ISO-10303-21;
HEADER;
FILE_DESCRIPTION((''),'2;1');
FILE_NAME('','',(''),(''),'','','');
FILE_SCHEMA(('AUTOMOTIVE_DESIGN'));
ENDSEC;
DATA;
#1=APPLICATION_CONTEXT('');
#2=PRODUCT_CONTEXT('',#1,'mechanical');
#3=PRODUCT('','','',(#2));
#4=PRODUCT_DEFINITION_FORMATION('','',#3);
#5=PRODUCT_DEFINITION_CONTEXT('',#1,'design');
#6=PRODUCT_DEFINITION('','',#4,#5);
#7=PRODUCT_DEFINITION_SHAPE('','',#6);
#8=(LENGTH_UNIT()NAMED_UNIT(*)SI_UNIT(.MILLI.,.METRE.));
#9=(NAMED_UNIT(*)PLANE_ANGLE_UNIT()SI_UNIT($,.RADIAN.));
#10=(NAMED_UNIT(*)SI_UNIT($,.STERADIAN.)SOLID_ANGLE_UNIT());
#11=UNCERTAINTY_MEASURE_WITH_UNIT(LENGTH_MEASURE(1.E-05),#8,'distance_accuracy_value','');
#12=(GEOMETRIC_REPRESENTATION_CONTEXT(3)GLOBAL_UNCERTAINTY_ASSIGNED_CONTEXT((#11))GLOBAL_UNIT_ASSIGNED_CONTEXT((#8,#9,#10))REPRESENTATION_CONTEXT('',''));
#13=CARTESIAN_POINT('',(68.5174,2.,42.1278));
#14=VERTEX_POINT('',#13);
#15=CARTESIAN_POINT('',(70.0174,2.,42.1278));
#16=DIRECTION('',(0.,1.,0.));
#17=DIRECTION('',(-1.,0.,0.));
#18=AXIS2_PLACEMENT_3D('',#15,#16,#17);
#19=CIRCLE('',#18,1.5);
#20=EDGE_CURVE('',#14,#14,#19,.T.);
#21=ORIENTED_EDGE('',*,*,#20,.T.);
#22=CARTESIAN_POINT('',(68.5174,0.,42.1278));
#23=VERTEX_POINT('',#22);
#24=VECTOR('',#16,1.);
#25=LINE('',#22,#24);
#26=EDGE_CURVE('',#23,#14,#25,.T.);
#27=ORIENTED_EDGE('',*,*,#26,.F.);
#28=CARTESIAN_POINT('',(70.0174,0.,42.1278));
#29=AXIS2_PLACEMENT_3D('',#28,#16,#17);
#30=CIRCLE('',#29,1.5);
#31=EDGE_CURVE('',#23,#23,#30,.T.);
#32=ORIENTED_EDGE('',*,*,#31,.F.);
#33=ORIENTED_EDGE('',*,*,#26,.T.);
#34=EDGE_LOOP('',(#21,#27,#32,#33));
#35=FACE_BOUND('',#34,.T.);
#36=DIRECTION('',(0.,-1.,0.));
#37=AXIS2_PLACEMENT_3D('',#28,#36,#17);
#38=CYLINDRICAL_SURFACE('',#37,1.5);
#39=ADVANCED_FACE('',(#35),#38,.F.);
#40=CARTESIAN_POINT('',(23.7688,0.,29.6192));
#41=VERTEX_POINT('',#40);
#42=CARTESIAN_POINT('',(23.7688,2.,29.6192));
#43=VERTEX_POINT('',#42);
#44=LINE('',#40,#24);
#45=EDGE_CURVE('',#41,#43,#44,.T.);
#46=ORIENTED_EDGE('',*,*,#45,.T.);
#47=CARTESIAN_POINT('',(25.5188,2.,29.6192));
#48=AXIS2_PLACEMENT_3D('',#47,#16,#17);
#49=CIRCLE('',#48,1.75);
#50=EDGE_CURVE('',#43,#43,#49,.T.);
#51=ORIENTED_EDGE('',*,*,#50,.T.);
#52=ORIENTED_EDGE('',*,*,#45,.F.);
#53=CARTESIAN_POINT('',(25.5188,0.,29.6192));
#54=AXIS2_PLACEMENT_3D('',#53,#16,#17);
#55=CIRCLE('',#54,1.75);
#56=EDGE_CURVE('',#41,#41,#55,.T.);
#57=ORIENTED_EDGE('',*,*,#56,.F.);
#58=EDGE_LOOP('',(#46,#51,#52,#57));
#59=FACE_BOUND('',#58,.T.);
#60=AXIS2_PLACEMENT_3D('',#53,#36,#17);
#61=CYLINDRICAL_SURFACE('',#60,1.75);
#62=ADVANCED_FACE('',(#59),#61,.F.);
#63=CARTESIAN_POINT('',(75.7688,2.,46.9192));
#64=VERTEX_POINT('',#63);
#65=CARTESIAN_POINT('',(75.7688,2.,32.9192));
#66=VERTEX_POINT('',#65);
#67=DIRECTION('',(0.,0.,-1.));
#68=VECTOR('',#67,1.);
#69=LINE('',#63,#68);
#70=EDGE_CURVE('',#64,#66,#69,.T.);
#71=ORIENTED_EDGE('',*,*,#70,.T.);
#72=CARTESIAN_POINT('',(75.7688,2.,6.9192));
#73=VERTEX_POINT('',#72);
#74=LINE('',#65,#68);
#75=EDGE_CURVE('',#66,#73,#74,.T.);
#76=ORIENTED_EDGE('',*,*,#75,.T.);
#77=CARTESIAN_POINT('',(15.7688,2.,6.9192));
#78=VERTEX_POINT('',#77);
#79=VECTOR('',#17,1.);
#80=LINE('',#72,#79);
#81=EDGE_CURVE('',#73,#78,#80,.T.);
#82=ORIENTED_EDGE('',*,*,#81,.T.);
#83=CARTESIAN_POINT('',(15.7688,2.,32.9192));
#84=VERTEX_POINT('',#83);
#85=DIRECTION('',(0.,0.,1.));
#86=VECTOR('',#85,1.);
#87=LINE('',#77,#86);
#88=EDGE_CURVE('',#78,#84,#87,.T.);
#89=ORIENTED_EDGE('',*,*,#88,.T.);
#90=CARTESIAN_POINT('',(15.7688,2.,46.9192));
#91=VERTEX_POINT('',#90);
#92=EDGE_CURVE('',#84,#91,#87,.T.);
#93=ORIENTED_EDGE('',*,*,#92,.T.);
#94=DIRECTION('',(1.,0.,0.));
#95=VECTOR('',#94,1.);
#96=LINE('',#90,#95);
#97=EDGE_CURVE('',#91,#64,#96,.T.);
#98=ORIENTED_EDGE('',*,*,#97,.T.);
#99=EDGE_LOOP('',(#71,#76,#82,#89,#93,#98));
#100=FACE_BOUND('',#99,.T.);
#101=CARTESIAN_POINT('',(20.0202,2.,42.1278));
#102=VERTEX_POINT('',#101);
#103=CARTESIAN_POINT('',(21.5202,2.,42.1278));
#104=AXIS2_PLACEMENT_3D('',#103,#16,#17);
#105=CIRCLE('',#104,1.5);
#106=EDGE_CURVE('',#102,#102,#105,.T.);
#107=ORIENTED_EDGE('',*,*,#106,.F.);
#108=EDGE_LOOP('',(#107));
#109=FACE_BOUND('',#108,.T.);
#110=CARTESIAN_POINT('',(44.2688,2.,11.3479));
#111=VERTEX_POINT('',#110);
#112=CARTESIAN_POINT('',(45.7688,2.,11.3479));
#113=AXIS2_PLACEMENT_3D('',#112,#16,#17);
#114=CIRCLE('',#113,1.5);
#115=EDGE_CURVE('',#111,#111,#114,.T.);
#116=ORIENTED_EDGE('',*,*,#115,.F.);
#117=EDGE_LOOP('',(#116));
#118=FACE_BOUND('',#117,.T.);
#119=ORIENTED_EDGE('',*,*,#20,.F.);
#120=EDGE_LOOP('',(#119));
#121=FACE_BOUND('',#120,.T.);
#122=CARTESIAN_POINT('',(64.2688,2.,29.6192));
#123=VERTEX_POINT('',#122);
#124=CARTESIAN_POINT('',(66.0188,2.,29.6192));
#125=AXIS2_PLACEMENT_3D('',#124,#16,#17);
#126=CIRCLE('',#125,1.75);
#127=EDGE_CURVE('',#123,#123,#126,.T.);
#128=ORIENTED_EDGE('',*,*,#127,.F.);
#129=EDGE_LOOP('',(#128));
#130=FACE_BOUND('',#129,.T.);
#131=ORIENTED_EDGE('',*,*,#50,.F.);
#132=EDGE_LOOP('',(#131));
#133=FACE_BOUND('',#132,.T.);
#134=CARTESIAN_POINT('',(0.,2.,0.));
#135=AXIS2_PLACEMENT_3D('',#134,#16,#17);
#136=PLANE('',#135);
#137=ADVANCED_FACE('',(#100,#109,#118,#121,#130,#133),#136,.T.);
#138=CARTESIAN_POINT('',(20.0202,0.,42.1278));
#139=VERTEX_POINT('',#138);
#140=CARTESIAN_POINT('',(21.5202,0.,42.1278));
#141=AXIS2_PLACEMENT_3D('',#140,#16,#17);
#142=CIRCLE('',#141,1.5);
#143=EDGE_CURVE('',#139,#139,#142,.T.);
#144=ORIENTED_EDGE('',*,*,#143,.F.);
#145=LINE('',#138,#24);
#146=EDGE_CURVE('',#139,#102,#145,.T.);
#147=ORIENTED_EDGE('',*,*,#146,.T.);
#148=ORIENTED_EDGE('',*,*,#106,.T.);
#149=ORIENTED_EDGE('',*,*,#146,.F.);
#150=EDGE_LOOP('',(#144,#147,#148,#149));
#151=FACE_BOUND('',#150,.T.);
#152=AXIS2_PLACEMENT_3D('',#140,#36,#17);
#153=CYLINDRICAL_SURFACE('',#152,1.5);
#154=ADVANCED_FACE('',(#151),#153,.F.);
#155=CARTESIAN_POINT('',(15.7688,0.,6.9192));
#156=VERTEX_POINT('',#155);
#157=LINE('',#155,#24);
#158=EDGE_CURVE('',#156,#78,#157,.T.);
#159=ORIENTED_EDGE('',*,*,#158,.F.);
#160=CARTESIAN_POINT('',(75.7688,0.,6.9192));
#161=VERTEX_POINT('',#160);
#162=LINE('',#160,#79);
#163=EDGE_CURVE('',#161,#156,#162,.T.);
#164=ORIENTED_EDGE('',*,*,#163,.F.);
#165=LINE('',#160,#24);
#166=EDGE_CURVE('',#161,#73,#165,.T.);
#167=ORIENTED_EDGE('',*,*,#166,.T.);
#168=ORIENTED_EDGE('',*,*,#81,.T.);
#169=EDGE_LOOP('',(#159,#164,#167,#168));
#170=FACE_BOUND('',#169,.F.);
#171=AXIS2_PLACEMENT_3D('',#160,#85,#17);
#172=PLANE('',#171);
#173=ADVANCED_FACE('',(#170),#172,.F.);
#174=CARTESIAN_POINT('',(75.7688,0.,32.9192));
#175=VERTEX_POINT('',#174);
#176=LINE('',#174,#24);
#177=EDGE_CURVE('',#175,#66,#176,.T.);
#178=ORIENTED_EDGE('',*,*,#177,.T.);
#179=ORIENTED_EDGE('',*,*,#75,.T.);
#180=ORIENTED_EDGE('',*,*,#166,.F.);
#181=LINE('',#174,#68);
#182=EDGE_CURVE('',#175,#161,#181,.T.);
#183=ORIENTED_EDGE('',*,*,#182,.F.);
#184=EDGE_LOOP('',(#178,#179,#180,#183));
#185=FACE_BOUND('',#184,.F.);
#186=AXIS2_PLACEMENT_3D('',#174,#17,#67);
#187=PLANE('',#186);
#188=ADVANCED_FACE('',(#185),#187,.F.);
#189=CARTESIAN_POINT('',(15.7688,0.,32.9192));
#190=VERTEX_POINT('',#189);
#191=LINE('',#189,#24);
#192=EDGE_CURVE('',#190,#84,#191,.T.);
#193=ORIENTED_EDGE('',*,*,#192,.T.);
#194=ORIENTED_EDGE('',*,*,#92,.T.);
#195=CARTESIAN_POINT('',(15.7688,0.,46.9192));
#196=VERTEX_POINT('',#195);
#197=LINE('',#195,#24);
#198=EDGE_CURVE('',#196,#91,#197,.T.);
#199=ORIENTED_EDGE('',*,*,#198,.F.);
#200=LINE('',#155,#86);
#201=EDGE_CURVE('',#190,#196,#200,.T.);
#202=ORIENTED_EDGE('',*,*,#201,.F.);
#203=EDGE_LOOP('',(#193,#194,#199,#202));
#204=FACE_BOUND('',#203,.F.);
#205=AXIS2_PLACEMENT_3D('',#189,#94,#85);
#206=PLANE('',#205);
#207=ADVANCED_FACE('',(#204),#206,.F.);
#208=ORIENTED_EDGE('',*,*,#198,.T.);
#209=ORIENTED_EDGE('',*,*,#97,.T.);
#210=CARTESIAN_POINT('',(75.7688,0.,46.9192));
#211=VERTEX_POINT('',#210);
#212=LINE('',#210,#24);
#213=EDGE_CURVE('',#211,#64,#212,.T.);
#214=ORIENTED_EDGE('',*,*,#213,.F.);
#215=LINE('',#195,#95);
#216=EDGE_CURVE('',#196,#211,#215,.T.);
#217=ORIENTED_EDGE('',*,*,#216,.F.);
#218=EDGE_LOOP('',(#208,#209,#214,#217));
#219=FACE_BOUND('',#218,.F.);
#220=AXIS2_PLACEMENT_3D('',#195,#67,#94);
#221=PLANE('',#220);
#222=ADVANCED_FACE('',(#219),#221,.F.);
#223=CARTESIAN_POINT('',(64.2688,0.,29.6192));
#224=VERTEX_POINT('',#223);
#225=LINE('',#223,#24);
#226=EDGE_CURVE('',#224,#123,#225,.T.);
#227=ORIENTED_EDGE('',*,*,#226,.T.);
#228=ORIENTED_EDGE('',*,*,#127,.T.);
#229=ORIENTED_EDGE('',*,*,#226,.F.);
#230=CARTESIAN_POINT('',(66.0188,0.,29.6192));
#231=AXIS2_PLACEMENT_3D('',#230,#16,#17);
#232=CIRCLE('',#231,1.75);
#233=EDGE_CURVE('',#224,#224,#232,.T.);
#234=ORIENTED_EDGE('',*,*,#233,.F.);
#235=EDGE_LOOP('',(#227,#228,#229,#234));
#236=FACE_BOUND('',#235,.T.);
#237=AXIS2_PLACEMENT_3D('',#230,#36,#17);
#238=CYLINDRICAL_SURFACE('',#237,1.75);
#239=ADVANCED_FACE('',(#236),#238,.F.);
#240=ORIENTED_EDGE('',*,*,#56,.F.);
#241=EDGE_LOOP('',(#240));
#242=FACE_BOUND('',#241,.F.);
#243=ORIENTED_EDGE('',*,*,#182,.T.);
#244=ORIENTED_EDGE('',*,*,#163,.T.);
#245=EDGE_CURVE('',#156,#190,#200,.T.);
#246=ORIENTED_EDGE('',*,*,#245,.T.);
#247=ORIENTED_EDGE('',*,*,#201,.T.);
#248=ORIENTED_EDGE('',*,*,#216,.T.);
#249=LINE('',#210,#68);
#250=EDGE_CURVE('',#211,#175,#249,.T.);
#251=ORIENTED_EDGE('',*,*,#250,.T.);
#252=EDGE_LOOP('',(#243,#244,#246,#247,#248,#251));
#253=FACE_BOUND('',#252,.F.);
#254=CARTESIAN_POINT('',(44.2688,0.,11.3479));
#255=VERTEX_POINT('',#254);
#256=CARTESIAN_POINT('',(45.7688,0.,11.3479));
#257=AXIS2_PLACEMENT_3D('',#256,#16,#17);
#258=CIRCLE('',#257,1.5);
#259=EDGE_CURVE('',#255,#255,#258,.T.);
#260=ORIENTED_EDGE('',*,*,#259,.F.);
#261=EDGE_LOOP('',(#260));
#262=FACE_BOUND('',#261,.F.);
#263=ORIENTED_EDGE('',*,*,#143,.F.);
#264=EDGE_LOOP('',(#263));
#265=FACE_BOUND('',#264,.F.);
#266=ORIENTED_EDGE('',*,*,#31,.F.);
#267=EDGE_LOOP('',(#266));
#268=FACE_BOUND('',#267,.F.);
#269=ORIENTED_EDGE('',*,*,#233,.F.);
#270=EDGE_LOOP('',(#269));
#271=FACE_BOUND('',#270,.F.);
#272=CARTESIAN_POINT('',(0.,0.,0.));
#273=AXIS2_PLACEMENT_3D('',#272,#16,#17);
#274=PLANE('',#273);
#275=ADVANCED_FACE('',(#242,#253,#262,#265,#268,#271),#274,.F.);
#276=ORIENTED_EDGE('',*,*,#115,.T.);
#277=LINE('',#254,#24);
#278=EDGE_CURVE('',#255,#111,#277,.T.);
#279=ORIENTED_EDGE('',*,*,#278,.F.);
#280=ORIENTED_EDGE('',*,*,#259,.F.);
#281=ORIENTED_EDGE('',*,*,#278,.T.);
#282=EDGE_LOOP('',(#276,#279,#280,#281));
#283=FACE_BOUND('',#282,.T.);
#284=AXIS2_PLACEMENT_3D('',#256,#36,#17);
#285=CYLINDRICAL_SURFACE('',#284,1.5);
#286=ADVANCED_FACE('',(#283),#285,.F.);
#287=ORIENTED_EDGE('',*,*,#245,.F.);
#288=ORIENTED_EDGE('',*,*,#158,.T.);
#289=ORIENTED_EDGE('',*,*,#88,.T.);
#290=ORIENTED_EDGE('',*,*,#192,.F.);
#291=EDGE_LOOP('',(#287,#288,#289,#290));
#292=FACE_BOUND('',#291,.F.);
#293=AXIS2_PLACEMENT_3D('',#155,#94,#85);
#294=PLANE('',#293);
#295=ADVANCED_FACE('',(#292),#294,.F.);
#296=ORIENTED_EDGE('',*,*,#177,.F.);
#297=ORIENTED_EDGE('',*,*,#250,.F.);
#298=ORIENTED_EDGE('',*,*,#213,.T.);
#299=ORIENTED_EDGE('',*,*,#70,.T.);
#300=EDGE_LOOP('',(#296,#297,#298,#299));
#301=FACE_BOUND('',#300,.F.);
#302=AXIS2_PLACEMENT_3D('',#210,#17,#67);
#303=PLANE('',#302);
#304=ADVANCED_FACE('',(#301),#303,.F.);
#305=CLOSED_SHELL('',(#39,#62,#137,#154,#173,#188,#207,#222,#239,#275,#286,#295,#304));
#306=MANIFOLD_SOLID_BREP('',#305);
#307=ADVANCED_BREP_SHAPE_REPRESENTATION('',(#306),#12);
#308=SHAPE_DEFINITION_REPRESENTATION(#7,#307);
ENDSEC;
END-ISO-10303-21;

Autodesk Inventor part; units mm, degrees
ref_plane "YZ Plane" through (0, 0, 0) normal (1, 0, 0) x (0, 1, 0)
ref_plane "XZ Plane" through (0, 0, 0) normal (0, 1, 0) x (-1, 0, 0)
ref_plane "XY Plane" through (0, 0, 0) normal (0, 0, 1) x (1, 0, 0)
sketch "Szkic1" plane through (0, 0, 0) normal (0, 1, 0) x (-1, 0, 0)
  line L0 (-75.7688, 32.9192) -> (-75.7688, 6.9192)
  line L1 (-75.7688, 6.9192) -> (-15.7688, 6.9192)
  line L2 (-15.7688, 6.9192) -> (-15.7688, 32.9192)
  circle A0 centre (-70.0174, 42.1278) radius 1.5
  circle A1 centre (-21.5202, 42.1278) radius 1.5
  circle A2 centre (-45.7688, 11.3479) radius 1.5
  circle A3 centre (-25.5188, 29.6192) radius 1.75
  circle A4 centre (-66.0188, 29.6192) radius 1.75
  line L3 (-75.7688, 6.9192) -> (-15.7688, 6.9192)
  line L4 (-15.7688, 6.9192) -> (-15.7688, 46.9192)
  line L5 (-15.7688, 46.9192) -> (-75.7688, 46.9192)
  line L6 (-75.7688, 46.9192) -> (-75.7688, 6.9192)
  point P0 (0, 0)
  dimension "d0" = 40
extrude "Wyciągnięcie proste1" add sketch "Szkic1" along normal blind 2
properties part number "dociazenie"
